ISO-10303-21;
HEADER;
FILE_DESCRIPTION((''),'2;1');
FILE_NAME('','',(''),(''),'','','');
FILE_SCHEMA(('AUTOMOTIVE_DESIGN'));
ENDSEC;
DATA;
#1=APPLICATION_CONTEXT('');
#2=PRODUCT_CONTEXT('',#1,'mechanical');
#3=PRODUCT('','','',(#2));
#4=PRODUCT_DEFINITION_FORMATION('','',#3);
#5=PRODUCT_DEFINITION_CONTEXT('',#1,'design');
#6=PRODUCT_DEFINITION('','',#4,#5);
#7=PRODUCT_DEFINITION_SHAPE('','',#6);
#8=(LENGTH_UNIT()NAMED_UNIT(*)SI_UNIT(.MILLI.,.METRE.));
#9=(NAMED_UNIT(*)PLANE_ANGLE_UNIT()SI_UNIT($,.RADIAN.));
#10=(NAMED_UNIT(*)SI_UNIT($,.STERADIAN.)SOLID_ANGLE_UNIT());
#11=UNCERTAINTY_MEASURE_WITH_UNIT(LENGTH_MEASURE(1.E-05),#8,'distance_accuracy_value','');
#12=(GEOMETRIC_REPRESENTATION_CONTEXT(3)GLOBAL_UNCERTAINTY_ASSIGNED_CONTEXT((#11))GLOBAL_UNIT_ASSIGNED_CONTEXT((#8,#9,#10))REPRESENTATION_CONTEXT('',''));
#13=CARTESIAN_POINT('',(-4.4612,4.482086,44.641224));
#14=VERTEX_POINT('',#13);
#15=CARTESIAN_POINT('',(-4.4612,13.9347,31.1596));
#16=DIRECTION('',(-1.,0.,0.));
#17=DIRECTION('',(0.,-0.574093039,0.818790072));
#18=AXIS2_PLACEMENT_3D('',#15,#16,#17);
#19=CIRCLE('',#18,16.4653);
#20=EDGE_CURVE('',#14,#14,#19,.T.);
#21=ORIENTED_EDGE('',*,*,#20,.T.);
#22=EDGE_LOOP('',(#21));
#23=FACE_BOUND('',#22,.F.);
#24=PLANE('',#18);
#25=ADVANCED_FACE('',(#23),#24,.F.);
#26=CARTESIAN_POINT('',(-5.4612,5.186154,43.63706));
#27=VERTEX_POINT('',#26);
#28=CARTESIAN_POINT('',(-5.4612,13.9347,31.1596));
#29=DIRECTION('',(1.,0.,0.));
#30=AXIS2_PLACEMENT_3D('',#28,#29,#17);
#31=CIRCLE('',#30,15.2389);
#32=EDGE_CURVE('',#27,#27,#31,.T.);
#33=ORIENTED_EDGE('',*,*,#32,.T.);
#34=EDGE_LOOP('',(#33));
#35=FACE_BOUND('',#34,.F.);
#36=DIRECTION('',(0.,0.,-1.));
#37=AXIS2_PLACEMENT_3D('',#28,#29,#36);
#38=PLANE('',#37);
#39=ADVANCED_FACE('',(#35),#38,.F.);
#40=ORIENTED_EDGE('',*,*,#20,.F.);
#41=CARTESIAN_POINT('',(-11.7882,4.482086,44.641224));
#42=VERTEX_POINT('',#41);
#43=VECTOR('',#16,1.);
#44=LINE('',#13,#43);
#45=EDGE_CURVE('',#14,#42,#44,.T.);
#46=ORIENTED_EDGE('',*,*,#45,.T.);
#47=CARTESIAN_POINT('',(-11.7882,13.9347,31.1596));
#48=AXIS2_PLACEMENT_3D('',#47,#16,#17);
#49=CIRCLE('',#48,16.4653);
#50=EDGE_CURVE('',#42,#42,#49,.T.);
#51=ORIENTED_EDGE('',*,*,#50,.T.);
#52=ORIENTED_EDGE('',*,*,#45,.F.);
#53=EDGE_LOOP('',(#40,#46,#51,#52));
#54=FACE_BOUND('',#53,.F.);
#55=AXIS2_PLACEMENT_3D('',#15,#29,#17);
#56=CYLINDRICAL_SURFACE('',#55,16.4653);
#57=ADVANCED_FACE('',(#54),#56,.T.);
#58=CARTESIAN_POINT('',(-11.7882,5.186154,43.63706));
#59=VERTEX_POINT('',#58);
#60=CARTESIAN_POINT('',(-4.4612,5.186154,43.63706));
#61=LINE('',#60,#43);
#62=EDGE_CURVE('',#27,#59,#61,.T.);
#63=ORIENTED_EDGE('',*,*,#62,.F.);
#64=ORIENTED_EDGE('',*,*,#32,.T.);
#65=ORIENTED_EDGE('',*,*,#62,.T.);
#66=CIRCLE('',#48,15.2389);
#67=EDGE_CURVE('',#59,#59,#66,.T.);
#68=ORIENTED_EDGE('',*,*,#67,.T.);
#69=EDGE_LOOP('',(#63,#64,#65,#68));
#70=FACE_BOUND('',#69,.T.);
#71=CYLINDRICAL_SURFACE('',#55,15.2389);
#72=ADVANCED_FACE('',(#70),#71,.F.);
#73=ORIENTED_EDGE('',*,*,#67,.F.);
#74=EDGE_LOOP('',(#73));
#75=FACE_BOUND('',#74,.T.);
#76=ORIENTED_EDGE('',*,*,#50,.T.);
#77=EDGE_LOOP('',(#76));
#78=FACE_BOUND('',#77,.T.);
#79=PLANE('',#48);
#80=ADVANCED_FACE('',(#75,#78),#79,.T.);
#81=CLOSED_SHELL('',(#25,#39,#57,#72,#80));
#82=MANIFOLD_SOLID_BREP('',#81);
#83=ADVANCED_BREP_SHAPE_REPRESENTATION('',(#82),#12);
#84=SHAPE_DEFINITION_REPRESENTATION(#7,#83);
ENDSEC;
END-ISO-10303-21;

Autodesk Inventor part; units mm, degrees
ref_plane "YZ Plane" through (0, 0, 0) normal (1, 0, 0) x (0, 1, 0)
ref_plane "XZ Plane" through (0, 0, 0) normal (0, 1, 0) x (-1, 0, 0)
ref_plane "XY Plane" through (0, 0, 0) normal (0, 0, 1) x (1, 0, 0)
ref_plane "Work Plane1" through (-4.4612, 13.9347, 31.1596) normal (-1, 0, 0) x (0, -0.5741, 0.8188)
sketch "Sketch1" plane through (-4.4612, 13.9347, 31.1596) normal (-1, 0, 0) x (0, -0.5741, 0.8188)
  circle A0 centre (0, 0) radius 16.4653 construction
  arc A1 (-8.9965, -1.0986) -> (8.4267, -3.3371) centre (0, 0) ccw construction
  line L0 (-8.9965, -1.0986) -> (-3.439, -1.0986) construction
  arc A2 (-3.439, -1.0986) -> (1.3777, -3.3371) centre (0, 0) ccw construction
  line L1 (1.3777, -3.3371) -> (8.4267, -3.3371) construction
  line L2 (8.4267, 3.3371) -> (1.3777, 3.3371) construction
  arc A3 (1.3777, 3.3371) -> (-3.439, 1.0986) centre (0, 0) ccw construction
  line L3 (-3.439, 1.0986) -> (-8.9965, 1.0986) construction
  arc A4 (8.4267, 3.3371) -> (-8.9965, 1.0986) centre (0, 0) ccw construction
  arc A5 (-7.3545, -6.9867) -> (-10.7722, -10.2334) centre (-9.0634, -8.61) ccw construction
  arc A6 (-7.3545, -6.9867) -> (6.7299, -7.5902) centre (0, 0) ccw construction
  arc A7 (9.8573, -11.1174) -> (6.7299, -7.5902) centre (8.2936, -9.3538) ccw construction
  arc A8 (-10.7722, -10.2334) -> (9.8573, -11.1174) centre (0, 0) ccw construction
  arc A9 (6.7299, 7.5902) -> (-7.3545, 6.9867) centre (0, 0) ccw construction
  arc A10 (-10.7722, 10.2334) -> (-7.3545, 6.9867) centre (-9.0634, 8.61) ccw construction
  arc A11 (9.8573, 11.1174) -> (-10.7722, 10.2334) centre (0, 0) ccw construction
  arc A12 (6.7299, 7.5902) -> (9.8573, 11.1174) centre (8.2936, 9.3538) ccw construction
  line L4 (1.6496, 2.4654) -> (13.6732, 2.4654) construction
  arc A13 (13.6732, -2.4654) -> (13.6732, 2.4654) centre (0, 0) ccw construction
  line L5 (13.6732, -2.4654) -> (1.6496, -2.4654) construction
  arc A14 (1.6496, 2.4654) -> (1.6496, -2.4654) centre (0, 0) ccw construction
  circle A15 centre (0, 0) radius 16.4653
  circle A16 centre (0, 0) radius 15.2389
  point P0 (-17.5128, -29.2984)
extrude "Extrusion1" add sketch "Sketch1" along normal blind 7.327
sketch "Sketch2" plane through (-4.4612, 13.9347, 31.1596) normal (1, 0, 0) x (0, 0, -1)
  circle A0 centre (0, 0) radius 16.4653 projected
  circle A1 centre (0, 0) radius 15.2389 projected
  point P0 (31.1596, -13.9347)
extrude "Extrusion2" add sketch "Sketch2" against normal blind 1 contours A1
